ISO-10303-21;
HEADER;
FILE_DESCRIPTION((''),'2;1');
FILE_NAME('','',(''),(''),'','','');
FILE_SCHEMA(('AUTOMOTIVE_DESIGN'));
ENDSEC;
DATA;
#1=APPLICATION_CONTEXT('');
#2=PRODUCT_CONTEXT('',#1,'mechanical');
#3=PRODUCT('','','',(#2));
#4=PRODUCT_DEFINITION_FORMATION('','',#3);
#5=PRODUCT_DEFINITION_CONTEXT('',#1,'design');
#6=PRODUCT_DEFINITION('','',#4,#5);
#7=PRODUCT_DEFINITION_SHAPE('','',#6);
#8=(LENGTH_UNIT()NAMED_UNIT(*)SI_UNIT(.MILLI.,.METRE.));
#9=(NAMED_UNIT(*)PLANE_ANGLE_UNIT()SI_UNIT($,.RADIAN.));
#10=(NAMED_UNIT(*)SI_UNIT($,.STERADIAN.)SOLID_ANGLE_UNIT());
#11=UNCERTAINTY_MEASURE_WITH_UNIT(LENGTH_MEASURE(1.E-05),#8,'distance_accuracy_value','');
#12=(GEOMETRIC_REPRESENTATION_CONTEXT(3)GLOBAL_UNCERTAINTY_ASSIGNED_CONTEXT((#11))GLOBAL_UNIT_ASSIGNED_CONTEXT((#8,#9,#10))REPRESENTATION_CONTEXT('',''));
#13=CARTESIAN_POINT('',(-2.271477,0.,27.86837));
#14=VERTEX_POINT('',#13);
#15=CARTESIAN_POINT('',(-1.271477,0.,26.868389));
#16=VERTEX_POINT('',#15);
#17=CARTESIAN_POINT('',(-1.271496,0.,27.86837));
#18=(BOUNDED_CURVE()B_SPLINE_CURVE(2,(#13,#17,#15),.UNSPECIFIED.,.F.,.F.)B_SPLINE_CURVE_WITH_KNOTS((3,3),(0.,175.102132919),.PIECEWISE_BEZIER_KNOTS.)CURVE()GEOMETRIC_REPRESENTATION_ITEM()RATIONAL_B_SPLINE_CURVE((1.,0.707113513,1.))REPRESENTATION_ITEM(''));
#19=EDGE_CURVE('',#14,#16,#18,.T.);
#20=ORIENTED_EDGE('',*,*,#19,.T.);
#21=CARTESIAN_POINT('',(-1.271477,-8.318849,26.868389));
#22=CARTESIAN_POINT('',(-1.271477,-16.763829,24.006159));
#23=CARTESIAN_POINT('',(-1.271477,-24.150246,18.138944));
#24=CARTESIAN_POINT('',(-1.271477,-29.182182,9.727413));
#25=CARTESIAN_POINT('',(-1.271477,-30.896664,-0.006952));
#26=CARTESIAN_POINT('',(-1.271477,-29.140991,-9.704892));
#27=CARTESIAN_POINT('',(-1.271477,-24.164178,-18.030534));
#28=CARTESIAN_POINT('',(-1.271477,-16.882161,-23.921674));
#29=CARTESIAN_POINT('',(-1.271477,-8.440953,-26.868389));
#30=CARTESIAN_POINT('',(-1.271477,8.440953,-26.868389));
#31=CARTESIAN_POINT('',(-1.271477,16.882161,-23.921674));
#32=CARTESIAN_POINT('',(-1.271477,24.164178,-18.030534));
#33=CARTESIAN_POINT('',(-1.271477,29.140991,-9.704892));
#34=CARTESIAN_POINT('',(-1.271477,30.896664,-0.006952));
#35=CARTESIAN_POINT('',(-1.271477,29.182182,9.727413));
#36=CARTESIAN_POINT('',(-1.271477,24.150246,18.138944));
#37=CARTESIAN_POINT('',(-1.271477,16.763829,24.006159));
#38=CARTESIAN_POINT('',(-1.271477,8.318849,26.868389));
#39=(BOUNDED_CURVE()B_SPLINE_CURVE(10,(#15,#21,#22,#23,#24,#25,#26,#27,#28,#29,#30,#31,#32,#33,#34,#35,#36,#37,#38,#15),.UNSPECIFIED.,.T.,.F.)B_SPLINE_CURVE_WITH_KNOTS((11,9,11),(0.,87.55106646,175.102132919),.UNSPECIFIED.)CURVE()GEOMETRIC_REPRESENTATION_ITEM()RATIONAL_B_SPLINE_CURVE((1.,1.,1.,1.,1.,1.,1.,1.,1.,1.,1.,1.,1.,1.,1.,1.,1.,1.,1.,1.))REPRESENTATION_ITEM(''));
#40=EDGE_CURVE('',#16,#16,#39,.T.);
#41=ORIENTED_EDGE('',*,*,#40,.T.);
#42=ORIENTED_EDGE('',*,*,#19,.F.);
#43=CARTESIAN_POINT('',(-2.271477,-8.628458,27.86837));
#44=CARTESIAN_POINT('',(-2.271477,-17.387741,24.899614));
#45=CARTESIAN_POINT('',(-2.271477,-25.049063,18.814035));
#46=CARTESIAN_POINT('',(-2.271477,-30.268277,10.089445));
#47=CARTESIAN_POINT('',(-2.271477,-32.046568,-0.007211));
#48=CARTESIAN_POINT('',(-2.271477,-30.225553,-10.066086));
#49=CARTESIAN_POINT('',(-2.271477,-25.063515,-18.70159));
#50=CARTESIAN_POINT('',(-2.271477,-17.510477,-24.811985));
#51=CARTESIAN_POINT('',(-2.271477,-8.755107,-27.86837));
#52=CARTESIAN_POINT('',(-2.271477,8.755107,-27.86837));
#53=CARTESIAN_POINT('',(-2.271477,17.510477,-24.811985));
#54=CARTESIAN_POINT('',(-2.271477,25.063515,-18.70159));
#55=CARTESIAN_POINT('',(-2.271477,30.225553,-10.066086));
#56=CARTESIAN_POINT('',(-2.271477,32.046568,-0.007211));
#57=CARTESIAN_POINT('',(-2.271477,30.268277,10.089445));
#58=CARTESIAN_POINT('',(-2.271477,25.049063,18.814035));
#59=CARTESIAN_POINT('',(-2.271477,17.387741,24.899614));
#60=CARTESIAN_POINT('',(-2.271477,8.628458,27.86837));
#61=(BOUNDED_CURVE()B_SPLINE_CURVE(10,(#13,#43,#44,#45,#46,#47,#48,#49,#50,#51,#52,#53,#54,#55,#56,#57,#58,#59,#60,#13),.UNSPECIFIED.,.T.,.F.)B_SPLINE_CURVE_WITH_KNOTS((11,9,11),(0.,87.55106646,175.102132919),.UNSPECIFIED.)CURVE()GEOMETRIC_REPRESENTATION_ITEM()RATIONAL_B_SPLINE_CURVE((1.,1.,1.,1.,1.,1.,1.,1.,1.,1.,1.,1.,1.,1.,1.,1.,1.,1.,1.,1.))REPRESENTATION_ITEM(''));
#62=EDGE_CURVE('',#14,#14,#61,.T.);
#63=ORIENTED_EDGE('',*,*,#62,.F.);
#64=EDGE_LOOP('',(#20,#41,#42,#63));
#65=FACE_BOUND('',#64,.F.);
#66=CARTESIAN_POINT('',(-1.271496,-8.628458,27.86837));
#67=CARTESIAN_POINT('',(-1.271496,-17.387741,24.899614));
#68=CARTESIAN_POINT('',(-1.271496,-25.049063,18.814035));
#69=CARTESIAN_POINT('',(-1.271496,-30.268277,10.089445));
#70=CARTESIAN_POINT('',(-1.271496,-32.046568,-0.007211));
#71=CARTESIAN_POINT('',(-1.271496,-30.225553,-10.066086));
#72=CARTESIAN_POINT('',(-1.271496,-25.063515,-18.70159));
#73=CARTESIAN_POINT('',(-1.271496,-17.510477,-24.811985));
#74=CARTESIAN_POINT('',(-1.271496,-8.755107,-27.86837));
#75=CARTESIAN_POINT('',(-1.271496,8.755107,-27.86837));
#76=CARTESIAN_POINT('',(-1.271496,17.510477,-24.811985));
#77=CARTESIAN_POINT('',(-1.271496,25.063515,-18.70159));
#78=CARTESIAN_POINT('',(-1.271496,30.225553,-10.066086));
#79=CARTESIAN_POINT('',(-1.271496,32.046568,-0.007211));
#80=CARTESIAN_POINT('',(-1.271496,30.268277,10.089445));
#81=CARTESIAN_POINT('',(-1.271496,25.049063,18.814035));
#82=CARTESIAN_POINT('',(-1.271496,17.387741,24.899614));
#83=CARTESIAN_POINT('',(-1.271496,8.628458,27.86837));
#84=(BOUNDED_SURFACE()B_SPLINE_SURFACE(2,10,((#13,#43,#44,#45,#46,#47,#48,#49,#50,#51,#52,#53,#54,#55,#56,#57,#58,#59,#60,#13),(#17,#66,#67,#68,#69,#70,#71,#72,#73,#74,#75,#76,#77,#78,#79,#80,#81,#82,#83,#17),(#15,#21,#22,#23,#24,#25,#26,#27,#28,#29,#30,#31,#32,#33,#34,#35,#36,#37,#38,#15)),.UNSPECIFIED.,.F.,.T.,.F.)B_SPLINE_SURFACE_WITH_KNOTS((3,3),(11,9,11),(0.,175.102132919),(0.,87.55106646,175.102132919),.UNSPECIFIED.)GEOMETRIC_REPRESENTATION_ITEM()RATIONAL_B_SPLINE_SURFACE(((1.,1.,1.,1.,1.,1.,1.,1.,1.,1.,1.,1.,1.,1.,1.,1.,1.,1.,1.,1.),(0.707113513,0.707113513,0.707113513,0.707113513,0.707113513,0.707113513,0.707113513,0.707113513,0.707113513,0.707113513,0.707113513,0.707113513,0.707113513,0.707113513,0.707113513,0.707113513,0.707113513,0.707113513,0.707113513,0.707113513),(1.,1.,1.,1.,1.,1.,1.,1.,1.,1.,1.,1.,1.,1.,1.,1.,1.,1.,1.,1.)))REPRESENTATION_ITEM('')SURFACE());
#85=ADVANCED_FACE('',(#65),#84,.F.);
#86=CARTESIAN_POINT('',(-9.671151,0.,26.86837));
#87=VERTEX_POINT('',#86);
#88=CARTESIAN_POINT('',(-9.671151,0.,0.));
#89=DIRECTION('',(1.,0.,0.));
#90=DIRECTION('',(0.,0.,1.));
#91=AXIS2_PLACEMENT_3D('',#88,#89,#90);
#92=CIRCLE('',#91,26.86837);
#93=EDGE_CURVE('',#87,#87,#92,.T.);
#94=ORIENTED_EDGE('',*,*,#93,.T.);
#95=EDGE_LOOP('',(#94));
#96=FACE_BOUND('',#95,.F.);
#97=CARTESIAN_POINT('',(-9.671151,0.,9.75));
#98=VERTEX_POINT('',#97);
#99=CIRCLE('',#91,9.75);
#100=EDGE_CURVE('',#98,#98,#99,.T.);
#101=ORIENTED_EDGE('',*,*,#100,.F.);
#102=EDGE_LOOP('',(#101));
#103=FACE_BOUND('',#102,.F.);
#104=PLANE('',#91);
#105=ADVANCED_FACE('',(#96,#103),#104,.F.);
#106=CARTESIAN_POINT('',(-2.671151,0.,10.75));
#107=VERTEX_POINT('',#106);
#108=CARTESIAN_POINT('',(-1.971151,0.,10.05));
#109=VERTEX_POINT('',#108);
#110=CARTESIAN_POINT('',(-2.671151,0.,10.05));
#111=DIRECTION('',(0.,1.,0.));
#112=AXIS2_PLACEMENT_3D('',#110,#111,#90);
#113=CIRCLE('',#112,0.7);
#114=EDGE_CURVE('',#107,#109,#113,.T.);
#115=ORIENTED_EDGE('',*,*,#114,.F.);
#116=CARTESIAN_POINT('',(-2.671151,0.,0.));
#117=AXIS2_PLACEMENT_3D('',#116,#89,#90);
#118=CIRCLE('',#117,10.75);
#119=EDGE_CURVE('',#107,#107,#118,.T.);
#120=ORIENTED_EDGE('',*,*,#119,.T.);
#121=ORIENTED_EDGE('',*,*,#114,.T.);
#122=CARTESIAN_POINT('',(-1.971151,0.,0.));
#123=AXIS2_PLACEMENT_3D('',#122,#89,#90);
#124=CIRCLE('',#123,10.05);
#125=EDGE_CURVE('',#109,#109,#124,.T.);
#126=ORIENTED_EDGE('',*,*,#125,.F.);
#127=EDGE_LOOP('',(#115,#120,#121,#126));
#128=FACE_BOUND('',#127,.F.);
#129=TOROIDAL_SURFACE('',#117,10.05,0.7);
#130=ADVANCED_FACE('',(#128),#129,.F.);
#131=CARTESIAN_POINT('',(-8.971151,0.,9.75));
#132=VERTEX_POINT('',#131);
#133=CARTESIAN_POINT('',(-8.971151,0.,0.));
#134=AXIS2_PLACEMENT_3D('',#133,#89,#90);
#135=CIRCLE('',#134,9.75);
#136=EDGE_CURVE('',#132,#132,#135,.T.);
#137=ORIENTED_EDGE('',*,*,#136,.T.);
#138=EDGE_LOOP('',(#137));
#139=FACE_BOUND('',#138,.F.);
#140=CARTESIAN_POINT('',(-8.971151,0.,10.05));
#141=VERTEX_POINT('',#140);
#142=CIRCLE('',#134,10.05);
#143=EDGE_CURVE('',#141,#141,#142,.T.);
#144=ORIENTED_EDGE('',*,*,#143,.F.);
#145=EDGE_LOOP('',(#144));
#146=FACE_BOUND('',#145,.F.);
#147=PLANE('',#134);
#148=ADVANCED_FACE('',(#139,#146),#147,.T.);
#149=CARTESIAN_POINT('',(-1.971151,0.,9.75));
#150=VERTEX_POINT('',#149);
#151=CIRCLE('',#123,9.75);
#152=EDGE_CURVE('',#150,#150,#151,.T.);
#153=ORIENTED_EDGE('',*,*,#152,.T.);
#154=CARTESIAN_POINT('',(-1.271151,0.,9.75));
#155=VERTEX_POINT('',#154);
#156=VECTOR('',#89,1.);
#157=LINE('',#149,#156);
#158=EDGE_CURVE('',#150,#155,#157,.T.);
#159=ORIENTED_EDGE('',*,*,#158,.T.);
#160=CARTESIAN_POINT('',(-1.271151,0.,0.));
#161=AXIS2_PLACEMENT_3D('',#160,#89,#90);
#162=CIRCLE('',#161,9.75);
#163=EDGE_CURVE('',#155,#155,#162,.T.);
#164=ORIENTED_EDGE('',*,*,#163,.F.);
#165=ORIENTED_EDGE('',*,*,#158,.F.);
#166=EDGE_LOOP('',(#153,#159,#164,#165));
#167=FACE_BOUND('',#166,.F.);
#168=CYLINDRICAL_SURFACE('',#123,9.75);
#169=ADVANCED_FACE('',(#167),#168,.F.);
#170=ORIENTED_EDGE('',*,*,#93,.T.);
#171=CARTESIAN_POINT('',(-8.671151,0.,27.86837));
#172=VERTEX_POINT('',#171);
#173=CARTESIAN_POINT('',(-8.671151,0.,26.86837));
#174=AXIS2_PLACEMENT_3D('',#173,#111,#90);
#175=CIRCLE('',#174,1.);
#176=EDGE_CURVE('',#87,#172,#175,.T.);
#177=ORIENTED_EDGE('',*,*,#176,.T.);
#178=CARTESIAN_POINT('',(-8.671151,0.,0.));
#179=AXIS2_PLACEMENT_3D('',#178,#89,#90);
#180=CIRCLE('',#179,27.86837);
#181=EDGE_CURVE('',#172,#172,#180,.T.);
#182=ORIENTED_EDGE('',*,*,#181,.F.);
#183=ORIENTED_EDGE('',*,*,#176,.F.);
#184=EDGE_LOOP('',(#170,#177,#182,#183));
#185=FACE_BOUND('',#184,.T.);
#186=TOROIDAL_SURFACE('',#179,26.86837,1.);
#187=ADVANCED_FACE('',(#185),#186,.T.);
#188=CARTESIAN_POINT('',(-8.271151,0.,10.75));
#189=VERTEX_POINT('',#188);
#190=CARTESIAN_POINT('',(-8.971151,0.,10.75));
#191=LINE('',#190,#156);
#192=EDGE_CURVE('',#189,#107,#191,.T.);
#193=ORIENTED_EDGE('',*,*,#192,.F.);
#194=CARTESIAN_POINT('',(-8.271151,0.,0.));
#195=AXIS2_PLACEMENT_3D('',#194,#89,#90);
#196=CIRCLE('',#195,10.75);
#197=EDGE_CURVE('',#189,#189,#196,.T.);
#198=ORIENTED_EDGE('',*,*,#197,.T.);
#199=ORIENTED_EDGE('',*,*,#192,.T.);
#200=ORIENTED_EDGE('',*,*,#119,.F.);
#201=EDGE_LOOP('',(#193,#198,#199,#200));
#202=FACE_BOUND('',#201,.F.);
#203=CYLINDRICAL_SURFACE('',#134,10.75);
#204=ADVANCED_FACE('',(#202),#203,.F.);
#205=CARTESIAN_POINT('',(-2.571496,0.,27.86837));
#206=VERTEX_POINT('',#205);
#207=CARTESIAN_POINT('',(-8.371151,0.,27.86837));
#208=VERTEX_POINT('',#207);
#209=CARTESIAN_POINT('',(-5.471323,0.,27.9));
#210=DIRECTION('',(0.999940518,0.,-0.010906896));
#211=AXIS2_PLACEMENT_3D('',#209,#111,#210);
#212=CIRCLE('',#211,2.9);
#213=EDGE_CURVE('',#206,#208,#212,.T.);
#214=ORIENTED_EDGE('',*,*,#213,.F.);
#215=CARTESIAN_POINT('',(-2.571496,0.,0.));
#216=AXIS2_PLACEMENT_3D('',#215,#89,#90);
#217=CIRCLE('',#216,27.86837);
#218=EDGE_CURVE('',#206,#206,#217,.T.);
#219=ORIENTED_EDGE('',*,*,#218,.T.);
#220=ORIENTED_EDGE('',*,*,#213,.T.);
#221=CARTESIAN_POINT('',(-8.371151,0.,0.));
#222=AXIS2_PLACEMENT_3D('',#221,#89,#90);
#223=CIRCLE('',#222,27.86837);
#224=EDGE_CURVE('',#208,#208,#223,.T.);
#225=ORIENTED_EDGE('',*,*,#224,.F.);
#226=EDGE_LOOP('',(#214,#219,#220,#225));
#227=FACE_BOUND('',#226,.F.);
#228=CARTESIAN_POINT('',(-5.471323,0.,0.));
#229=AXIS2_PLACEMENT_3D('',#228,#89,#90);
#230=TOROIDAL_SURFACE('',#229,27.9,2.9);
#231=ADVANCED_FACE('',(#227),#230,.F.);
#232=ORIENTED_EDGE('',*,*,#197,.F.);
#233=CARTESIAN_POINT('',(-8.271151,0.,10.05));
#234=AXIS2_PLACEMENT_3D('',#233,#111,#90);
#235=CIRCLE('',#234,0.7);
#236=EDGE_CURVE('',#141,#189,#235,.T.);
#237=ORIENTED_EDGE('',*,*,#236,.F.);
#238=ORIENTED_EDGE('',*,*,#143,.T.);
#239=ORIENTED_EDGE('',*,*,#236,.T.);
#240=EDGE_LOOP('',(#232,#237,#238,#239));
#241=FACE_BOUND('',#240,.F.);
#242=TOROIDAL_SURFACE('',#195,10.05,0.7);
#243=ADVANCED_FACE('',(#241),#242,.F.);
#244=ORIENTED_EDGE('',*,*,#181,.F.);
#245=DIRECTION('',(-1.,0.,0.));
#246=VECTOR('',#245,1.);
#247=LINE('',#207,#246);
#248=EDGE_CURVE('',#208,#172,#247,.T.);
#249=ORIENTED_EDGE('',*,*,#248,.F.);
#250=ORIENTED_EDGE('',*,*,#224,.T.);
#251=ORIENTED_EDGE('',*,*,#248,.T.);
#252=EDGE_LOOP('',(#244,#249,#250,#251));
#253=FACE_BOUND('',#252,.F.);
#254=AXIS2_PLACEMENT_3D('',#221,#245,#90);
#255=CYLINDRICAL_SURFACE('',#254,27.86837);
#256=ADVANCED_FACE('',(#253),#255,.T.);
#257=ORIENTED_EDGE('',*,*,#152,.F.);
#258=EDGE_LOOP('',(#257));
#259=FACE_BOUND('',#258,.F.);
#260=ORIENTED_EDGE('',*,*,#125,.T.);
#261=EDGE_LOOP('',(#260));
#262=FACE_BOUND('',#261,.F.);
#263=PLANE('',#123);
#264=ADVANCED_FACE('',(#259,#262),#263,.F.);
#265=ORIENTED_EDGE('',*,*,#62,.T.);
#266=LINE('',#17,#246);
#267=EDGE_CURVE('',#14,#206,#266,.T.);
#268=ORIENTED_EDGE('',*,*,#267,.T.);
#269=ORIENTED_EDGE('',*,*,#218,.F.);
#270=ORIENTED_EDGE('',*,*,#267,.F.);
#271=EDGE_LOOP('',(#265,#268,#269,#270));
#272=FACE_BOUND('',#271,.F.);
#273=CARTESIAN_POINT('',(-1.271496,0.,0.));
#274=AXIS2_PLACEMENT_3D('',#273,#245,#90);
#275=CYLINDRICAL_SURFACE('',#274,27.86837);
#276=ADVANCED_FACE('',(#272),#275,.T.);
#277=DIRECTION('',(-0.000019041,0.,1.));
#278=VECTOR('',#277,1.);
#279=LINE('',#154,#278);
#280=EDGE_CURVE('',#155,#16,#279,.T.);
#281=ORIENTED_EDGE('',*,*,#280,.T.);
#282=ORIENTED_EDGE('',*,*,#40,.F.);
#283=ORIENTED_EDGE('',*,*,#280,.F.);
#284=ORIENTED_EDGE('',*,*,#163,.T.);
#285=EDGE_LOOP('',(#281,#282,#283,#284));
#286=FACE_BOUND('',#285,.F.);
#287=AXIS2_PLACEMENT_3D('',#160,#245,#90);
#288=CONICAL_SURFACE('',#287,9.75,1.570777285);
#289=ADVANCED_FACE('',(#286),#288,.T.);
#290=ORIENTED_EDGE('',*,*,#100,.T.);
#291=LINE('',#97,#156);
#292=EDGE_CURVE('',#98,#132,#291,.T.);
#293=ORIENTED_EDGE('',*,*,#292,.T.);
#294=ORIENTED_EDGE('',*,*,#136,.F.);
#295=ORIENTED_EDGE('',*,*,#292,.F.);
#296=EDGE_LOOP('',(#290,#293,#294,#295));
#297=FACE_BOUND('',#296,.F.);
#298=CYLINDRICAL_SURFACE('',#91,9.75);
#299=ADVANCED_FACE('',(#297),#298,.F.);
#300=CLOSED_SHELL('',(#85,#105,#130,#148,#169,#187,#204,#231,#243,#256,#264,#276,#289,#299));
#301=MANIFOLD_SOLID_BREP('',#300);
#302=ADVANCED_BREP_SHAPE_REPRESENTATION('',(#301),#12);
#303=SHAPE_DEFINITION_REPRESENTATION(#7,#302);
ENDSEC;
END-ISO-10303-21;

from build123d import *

# Parameters (mm, degrees)
F2_R = 0.7
F3_R = 1


with BuildPart() as f1:
    # F0 (on Front) → F1 (revolve)
    with BuildSketch(Plane.XZ):
        with BuildLine():
            Line((-8.371151, 27.86837), (-9.671151, 27.86837))
            Line((-9.671151, 27.86837), (-9.671151, 9.75))
            Line((-9.671151, 9.75), (-8.971151, 9.75))
            Line((-8.971151, 9.75), (-8.971151, 10.75))
            Line((-8.971151, 10.75), (-1.971151, 10.75))
            Line((-1.971151, 10.75), (-1.971151, 9.75))
            Line((-1.971151, 9.75), (-1.271151, 9.75))
            Line((-1.271151, 9.75), (-1.271496, 27.86837))
            Line((-1.271496, 27.86837), (-2.571496, 27.86837))
            ThreePointArc((-2.571496, 27.86837), (-5.471323, 25), (-8.371151, 27.86837))
        make_face()
    revolve(axis=Axis((-1.891199, 0, 0), (1, 0, 0)))

    # F2
    f2_edges = [f1.edges().sort_by_distance(p)[0] for p in [
        (-8.971151, 0, -10.75),
        (-1.971151, 0, -10.75),
    ]]
    fillet(f2_edges, radius=F2_R)

    # F3
    f3_edges = [f1.edges().sort_by_distance(p)[0] for p in [
        (-9.671151, 0, -27.86837),
        (-1.271496, 0, -27.86837),
    ]]
    fillet(f3_edges, radius=F3_R)


solid = f1.part
